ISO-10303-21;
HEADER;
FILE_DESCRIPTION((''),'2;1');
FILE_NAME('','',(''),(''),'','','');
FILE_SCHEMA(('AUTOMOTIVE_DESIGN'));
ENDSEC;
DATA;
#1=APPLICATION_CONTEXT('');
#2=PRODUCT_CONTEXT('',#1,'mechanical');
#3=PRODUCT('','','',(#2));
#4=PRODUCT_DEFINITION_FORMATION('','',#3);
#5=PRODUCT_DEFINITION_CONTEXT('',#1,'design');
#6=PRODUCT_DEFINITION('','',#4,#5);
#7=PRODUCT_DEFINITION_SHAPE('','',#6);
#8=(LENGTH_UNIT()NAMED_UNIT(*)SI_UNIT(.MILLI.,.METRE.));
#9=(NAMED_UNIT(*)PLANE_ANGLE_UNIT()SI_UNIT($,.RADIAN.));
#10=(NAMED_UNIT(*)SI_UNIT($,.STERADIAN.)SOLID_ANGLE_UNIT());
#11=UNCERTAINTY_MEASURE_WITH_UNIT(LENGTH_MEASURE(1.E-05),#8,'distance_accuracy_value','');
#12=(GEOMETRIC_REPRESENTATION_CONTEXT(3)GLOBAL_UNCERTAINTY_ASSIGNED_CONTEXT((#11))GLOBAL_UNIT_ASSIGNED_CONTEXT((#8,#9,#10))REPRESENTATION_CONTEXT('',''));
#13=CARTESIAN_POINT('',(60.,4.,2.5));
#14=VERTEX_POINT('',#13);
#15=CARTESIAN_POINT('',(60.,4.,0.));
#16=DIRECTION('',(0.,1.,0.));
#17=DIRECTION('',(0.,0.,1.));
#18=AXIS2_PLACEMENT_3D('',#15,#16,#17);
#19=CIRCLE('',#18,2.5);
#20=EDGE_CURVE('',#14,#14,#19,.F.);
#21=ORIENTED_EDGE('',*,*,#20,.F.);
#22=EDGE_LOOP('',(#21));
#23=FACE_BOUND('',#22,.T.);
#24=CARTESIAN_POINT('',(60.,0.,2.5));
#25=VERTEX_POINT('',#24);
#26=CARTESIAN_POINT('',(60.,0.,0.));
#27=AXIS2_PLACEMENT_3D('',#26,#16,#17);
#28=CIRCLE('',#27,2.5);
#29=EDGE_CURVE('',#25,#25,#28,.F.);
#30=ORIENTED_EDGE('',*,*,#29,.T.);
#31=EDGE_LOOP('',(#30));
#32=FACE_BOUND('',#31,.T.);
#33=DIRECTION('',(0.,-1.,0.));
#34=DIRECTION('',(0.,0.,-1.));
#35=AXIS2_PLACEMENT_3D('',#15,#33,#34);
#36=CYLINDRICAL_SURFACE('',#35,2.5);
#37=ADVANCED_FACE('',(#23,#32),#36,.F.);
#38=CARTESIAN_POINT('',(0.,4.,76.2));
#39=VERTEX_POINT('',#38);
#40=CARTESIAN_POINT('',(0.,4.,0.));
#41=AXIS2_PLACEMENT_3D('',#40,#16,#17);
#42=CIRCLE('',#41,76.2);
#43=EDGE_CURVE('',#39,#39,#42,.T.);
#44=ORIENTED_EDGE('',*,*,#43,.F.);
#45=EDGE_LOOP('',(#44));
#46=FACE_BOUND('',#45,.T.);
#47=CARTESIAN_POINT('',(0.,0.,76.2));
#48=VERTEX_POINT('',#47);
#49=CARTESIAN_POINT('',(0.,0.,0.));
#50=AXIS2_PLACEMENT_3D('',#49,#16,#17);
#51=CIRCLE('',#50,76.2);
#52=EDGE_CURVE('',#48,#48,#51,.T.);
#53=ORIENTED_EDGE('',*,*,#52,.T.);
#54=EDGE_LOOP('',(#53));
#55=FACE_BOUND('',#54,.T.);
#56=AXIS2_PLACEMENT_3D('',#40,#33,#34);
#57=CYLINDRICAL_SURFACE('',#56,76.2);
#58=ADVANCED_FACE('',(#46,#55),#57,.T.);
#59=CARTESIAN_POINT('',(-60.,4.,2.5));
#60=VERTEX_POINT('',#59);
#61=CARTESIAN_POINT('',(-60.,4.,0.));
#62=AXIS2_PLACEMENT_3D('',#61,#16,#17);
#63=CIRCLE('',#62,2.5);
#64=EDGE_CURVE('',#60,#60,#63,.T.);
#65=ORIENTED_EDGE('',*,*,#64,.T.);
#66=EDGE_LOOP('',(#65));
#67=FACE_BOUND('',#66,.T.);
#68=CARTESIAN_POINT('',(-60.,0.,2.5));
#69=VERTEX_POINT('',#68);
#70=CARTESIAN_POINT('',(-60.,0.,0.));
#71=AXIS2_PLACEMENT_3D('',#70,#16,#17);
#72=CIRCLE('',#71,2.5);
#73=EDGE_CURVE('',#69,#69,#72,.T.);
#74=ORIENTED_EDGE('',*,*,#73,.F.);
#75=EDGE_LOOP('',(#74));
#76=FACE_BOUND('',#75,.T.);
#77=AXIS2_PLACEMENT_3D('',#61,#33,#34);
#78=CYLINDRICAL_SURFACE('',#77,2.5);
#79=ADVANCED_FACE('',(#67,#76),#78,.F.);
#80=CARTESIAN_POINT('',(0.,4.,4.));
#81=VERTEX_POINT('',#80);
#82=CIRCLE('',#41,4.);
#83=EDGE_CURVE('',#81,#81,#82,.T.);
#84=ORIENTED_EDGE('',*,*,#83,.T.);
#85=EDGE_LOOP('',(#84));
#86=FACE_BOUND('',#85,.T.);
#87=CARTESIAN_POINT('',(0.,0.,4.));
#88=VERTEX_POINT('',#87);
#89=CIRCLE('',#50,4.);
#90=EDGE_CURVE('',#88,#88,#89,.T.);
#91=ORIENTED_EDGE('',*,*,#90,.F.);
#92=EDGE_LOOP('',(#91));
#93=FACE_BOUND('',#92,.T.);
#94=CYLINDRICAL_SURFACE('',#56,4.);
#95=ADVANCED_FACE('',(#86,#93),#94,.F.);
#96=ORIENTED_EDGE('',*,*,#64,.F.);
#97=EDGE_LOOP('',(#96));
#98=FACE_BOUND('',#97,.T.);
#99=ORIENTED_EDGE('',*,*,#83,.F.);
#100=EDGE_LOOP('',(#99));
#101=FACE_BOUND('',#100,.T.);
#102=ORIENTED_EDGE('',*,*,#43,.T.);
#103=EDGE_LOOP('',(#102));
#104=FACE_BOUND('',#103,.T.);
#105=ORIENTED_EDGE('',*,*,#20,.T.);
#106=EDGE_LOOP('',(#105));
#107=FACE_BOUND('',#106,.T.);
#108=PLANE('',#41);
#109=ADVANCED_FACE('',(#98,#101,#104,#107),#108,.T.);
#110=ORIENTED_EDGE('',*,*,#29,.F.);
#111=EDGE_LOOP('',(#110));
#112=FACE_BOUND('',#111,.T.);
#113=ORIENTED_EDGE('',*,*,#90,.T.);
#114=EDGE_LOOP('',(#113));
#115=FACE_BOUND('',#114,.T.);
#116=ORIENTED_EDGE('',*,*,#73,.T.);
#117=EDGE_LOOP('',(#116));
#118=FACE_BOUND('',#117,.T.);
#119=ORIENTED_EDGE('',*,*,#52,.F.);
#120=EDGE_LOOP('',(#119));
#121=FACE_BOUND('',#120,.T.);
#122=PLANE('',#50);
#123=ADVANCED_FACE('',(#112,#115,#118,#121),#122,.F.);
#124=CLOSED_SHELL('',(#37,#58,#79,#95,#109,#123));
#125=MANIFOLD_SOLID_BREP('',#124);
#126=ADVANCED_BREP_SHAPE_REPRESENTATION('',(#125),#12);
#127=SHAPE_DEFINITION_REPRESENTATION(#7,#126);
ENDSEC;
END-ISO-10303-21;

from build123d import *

# Parameters (mm, degrees)
SKETCH1_R           = 76.2
SKETCH1_R_2         = 4
SKETCH1_R_3         = 2.5
BOSS_EXTRUDE1_DEPTH = 4


with BuildPart() as part:
    # Sketch1 → Boss-Extrude1 (new body)
    with BuildSketch(Plane(origin=(0, 0, 0), x_dir=(1, 0, 0), z_dir=(0, 1, 0))):
        with Locations(Location((0, 0, 0), (0, 0, 270))):
            Circle(SKETCH1_R)
        with Locations(Location((0, 0, 0), (0, 0, 270))):
            Circle(SKETCH1_R_2, mode=Mode.SUBTRACT)
        with Locations(Location((-60, 0, 0), (0, 0, 270))):
            Circle(SKETCH1_R_3, mode=Mode.SUBTRACT)
        with Locations(Location((60, 0, 0), (0, 0, 270))):
            Circle(SKETCH1_R_3, mode=Mode.SUBTRACT)
    extrude(amount=BOSS_EXTRUDE1_DEPTH)


solid = part.part
